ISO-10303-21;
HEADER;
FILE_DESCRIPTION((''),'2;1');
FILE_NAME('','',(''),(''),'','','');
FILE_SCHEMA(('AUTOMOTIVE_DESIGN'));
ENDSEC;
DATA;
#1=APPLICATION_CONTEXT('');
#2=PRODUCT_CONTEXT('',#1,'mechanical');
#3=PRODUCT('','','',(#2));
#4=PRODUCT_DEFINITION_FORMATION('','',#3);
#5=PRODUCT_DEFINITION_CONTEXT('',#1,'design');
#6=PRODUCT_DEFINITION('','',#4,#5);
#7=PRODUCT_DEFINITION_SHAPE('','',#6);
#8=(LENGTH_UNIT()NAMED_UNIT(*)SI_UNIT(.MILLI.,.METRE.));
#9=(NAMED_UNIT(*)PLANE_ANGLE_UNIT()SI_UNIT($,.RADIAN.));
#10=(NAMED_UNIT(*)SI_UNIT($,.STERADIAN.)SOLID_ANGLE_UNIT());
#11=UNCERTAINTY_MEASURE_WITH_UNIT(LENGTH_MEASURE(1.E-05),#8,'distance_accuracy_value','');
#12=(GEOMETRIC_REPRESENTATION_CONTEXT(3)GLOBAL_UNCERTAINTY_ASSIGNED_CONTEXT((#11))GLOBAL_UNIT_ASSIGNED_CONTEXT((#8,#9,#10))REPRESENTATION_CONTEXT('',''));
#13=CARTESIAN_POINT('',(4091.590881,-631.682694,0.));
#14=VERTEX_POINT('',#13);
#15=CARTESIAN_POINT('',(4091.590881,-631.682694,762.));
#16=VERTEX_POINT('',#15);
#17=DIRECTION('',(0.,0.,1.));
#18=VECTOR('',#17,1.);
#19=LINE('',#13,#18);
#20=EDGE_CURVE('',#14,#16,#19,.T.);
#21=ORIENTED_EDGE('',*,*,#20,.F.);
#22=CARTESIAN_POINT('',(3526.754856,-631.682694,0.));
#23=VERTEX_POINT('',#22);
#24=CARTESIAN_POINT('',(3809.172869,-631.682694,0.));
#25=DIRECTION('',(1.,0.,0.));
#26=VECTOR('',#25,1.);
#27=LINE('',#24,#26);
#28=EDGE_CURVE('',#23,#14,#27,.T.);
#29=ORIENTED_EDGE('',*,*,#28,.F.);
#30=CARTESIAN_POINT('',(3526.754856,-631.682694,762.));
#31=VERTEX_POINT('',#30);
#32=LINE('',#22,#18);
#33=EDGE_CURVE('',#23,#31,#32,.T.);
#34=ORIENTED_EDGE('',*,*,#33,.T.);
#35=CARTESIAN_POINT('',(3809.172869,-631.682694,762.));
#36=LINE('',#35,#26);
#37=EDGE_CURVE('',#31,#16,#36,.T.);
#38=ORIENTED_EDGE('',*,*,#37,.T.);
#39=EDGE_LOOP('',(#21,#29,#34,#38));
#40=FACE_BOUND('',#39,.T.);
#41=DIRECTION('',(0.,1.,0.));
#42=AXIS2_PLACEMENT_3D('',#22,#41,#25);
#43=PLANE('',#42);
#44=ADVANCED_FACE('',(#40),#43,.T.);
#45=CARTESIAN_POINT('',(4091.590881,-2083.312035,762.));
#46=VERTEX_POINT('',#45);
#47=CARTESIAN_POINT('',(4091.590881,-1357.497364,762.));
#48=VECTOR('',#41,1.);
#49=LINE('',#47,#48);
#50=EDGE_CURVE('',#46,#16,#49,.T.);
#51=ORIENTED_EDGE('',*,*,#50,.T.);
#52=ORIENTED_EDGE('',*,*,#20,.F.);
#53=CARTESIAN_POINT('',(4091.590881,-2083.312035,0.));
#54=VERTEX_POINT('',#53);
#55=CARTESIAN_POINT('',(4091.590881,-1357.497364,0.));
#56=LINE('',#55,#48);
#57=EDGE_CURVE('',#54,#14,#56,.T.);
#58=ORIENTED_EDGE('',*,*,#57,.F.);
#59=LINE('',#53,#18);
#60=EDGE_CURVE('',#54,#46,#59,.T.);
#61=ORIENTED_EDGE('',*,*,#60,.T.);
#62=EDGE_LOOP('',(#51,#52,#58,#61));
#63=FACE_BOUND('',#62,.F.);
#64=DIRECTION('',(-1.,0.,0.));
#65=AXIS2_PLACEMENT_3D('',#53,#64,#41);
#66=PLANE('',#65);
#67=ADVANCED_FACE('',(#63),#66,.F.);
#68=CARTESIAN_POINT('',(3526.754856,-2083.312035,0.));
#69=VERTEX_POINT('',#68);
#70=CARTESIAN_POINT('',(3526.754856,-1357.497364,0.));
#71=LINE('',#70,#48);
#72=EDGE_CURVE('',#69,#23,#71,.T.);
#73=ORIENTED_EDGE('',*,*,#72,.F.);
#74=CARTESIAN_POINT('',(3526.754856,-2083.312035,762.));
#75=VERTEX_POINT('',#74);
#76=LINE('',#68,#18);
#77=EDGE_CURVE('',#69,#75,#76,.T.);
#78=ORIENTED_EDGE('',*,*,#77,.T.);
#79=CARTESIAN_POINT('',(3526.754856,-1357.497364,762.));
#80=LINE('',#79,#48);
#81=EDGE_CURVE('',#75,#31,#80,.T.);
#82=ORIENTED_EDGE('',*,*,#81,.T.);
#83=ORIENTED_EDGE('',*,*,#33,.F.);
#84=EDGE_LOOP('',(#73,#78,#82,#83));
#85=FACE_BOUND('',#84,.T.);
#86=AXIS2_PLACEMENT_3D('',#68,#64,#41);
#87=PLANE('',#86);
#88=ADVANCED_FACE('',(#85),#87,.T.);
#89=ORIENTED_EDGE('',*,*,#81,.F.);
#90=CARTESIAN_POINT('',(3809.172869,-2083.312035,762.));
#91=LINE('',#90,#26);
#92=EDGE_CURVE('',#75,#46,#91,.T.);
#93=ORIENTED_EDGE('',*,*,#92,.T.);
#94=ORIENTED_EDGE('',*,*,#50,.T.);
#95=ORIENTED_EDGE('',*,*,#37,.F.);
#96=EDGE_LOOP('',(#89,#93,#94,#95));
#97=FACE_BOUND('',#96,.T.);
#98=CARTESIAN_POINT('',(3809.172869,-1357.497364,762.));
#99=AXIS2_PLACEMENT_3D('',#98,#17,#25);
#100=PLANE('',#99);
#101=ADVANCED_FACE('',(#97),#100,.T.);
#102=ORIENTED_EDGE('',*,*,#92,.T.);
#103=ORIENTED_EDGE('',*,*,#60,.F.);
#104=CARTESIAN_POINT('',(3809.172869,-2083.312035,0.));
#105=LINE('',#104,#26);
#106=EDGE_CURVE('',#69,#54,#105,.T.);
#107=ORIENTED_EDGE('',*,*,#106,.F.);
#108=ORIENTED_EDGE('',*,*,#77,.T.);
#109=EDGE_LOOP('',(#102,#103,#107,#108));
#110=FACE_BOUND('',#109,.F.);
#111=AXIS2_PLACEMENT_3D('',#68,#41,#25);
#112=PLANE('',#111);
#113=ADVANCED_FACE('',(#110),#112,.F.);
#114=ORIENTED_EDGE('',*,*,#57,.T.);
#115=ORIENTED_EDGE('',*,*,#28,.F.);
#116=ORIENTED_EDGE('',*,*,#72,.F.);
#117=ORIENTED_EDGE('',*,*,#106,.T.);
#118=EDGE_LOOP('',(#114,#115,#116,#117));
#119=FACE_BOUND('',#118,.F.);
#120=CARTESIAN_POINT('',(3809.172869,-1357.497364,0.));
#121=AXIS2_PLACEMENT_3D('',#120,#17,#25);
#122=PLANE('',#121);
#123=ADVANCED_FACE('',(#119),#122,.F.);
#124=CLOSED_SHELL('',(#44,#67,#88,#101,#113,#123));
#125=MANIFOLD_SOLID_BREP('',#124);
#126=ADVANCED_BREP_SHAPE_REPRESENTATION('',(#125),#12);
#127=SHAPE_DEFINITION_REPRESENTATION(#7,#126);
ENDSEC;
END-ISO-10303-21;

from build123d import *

# Parameters (mm, degrees)
F2_W     = 564.836025238
F2_H     = 1451.6293406487
F5_DEPTH = 762


with BuildPart() as f5:
    # F2 (on face) → F5 (new body)
    with BuildSketch(Plane.XY):
        with Locations((3809.1728687286, -1357.4973642826)):
            Rectangle(F2_W, F2_H)
    extrude(amount=F5_DEPTH)


solid = f5.part
